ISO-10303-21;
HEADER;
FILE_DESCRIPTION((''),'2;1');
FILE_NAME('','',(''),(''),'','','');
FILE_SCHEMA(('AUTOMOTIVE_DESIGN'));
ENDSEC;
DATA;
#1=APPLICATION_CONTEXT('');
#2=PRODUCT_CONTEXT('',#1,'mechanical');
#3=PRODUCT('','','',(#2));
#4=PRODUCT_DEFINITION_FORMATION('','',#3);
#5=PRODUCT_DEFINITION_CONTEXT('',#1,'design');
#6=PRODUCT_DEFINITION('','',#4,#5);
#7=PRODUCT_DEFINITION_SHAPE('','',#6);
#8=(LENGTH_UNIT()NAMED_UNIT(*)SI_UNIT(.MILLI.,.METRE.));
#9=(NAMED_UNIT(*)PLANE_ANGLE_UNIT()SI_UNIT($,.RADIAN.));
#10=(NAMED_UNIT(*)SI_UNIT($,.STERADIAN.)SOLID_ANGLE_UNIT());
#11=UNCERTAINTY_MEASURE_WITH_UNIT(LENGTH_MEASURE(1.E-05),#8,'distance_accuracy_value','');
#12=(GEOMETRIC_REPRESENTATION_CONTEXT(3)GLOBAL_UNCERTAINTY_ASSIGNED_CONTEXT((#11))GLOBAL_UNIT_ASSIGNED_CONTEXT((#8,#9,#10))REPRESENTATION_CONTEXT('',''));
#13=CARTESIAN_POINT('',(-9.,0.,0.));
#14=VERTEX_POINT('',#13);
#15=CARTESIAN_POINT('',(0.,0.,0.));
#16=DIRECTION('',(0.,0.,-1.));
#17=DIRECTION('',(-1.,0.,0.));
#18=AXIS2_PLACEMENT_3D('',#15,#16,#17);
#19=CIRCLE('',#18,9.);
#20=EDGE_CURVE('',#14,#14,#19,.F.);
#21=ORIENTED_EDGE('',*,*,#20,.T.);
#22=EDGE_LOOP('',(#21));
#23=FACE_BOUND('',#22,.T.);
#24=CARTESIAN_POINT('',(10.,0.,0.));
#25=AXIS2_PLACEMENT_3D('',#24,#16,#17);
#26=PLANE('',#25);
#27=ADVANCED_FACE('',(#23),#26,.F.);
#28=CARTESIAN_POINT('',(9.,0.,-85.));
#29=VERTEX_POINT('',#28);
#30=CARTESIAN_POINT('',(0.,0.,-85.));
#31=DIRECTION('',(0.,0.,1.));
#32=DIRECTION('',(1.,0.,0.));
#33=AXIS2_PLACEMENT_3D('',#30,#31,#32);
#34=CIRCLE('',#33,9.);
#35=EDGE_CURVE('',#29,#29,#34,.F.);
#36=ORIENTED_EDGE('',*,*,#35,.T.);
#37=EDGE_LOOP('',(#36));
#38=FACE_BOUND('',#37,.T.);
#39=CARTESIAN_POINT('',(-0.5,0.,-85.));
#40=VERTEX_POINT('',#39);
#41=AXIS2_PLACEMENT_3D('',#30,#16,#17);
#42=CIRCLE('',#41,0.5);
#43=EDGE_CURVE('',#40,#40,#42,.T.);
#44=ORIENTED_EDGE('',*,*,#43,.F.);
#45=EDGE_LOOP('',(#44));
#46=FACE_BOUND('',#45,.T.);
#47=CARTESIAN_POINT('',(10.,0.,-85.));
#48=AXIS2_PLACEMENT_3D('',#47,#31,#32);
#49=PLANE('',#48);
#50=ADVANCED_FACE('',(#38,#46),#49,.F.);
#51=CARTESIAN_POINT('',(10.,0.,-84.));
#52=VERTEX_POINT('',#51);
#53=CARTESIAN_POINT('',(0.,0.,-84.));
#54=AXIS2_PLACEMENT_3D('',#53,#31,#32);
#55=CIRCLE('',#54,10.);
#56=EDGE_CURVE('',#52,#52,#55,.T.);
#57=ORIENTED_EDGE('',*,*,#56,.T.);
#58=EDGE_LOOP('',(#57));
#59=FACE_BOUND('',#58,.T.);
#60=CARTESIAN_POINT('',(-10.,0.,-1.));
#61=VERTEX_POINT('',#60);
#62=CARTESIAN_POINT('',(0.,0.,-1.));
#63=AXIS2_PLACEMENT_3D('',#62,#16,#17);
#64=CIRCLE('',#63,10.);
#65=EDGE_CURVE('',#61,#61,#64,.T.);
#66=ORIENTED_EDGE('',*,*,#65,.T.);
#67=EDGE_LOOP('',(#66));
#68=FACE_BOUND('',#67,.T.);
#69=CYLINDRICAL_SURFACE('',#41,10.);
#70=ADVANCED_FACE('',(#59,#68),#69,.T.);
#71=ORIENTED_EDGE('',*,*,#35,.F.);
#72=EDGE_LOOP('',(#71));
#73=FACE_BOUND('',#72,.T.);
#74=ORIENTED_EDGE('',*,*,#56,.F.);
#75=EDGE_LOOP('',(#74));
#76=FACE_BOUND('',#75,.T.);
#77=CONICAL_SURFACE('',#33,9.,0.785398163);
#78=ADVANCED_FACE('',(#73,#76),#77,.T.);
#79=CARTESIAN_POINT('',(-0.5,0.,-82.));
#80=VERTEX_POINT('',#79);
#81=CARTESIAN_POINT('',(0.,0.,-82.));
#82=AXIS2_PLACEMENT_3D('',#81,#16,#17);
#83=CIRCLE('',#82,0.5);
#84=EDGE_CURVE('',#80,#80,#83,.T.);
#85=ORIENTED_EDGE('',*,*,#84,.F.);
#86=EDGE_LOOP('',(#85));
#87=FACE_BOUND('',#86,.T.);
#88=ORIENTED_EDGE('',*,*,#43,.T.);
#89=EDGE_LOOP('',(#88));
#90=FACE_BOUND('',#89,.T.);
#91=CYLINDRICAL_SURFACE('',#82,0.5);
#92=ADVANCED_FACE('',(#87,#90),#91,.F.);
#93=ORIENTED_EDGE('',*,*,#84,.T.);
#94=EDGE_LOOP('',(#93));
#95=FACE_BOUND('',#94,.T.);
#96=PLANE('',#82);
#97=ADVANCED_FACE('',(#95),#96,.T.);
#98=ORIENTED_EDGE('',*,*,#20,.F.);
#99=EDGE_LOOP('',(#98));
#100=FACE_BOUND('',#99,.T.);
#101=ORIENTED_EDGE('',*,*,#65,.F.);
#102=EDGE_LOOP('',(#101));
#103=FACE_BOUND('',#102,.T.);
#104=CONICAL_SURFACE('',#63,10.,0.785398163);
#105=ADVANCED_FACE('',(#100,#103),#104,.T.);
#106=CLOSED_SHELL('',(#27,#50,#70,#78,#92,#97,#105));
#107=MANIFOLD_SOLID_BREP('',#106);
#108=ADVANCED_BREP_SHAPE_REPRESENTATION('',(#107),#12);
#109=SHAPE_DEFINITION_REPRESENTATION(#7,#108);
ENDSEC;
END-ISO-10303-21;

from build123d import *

# Parameters (mm, degrees)
SKETCH1_W          = 10
SKETCH1_H          = 85
CHAMFER1_SIZE      = 1
SKETCH2_R          = 0.5
CUT_EXTRUDE1_DEPTH = 3


with BuildPart() as part:
    # Sketch1 → Revolve1 (revolve)
    with BuildSketch(Plane(origin=(0, 0, 0), x_dir=(1, 0, 0), z_dir=(0, 1, 0))):
        with Locations((5, 42.5)):
            Rectangle(SKETCH1_W, SKETCH1_H)
    revolve(axis=Axis((0, 0, -85), (0, 0, 1)))

    # Chamfer1
    chamfer1_edges = [part.edges().sort_by_distance(p)[0] for p in [
        (-10, 0, -85),
        (-10, 0, 0),
    ]]
    chamfer(chamfer1_edges, length=CHAMFER1_SIZE)

    # Sketch2 → Cut-Extrude1 (cut)
    with BuildSketch(Plane(origin=(0, 0, -85), x_dir=(-1, 0, 0), z_dir=(0, 0, -1))):
        Circle(SKETCH2_R)
    extrude(amount=-CUT_EXTRUDE1_DEPTH, mode=Mode.SUBTRACT)


solid = part.part
